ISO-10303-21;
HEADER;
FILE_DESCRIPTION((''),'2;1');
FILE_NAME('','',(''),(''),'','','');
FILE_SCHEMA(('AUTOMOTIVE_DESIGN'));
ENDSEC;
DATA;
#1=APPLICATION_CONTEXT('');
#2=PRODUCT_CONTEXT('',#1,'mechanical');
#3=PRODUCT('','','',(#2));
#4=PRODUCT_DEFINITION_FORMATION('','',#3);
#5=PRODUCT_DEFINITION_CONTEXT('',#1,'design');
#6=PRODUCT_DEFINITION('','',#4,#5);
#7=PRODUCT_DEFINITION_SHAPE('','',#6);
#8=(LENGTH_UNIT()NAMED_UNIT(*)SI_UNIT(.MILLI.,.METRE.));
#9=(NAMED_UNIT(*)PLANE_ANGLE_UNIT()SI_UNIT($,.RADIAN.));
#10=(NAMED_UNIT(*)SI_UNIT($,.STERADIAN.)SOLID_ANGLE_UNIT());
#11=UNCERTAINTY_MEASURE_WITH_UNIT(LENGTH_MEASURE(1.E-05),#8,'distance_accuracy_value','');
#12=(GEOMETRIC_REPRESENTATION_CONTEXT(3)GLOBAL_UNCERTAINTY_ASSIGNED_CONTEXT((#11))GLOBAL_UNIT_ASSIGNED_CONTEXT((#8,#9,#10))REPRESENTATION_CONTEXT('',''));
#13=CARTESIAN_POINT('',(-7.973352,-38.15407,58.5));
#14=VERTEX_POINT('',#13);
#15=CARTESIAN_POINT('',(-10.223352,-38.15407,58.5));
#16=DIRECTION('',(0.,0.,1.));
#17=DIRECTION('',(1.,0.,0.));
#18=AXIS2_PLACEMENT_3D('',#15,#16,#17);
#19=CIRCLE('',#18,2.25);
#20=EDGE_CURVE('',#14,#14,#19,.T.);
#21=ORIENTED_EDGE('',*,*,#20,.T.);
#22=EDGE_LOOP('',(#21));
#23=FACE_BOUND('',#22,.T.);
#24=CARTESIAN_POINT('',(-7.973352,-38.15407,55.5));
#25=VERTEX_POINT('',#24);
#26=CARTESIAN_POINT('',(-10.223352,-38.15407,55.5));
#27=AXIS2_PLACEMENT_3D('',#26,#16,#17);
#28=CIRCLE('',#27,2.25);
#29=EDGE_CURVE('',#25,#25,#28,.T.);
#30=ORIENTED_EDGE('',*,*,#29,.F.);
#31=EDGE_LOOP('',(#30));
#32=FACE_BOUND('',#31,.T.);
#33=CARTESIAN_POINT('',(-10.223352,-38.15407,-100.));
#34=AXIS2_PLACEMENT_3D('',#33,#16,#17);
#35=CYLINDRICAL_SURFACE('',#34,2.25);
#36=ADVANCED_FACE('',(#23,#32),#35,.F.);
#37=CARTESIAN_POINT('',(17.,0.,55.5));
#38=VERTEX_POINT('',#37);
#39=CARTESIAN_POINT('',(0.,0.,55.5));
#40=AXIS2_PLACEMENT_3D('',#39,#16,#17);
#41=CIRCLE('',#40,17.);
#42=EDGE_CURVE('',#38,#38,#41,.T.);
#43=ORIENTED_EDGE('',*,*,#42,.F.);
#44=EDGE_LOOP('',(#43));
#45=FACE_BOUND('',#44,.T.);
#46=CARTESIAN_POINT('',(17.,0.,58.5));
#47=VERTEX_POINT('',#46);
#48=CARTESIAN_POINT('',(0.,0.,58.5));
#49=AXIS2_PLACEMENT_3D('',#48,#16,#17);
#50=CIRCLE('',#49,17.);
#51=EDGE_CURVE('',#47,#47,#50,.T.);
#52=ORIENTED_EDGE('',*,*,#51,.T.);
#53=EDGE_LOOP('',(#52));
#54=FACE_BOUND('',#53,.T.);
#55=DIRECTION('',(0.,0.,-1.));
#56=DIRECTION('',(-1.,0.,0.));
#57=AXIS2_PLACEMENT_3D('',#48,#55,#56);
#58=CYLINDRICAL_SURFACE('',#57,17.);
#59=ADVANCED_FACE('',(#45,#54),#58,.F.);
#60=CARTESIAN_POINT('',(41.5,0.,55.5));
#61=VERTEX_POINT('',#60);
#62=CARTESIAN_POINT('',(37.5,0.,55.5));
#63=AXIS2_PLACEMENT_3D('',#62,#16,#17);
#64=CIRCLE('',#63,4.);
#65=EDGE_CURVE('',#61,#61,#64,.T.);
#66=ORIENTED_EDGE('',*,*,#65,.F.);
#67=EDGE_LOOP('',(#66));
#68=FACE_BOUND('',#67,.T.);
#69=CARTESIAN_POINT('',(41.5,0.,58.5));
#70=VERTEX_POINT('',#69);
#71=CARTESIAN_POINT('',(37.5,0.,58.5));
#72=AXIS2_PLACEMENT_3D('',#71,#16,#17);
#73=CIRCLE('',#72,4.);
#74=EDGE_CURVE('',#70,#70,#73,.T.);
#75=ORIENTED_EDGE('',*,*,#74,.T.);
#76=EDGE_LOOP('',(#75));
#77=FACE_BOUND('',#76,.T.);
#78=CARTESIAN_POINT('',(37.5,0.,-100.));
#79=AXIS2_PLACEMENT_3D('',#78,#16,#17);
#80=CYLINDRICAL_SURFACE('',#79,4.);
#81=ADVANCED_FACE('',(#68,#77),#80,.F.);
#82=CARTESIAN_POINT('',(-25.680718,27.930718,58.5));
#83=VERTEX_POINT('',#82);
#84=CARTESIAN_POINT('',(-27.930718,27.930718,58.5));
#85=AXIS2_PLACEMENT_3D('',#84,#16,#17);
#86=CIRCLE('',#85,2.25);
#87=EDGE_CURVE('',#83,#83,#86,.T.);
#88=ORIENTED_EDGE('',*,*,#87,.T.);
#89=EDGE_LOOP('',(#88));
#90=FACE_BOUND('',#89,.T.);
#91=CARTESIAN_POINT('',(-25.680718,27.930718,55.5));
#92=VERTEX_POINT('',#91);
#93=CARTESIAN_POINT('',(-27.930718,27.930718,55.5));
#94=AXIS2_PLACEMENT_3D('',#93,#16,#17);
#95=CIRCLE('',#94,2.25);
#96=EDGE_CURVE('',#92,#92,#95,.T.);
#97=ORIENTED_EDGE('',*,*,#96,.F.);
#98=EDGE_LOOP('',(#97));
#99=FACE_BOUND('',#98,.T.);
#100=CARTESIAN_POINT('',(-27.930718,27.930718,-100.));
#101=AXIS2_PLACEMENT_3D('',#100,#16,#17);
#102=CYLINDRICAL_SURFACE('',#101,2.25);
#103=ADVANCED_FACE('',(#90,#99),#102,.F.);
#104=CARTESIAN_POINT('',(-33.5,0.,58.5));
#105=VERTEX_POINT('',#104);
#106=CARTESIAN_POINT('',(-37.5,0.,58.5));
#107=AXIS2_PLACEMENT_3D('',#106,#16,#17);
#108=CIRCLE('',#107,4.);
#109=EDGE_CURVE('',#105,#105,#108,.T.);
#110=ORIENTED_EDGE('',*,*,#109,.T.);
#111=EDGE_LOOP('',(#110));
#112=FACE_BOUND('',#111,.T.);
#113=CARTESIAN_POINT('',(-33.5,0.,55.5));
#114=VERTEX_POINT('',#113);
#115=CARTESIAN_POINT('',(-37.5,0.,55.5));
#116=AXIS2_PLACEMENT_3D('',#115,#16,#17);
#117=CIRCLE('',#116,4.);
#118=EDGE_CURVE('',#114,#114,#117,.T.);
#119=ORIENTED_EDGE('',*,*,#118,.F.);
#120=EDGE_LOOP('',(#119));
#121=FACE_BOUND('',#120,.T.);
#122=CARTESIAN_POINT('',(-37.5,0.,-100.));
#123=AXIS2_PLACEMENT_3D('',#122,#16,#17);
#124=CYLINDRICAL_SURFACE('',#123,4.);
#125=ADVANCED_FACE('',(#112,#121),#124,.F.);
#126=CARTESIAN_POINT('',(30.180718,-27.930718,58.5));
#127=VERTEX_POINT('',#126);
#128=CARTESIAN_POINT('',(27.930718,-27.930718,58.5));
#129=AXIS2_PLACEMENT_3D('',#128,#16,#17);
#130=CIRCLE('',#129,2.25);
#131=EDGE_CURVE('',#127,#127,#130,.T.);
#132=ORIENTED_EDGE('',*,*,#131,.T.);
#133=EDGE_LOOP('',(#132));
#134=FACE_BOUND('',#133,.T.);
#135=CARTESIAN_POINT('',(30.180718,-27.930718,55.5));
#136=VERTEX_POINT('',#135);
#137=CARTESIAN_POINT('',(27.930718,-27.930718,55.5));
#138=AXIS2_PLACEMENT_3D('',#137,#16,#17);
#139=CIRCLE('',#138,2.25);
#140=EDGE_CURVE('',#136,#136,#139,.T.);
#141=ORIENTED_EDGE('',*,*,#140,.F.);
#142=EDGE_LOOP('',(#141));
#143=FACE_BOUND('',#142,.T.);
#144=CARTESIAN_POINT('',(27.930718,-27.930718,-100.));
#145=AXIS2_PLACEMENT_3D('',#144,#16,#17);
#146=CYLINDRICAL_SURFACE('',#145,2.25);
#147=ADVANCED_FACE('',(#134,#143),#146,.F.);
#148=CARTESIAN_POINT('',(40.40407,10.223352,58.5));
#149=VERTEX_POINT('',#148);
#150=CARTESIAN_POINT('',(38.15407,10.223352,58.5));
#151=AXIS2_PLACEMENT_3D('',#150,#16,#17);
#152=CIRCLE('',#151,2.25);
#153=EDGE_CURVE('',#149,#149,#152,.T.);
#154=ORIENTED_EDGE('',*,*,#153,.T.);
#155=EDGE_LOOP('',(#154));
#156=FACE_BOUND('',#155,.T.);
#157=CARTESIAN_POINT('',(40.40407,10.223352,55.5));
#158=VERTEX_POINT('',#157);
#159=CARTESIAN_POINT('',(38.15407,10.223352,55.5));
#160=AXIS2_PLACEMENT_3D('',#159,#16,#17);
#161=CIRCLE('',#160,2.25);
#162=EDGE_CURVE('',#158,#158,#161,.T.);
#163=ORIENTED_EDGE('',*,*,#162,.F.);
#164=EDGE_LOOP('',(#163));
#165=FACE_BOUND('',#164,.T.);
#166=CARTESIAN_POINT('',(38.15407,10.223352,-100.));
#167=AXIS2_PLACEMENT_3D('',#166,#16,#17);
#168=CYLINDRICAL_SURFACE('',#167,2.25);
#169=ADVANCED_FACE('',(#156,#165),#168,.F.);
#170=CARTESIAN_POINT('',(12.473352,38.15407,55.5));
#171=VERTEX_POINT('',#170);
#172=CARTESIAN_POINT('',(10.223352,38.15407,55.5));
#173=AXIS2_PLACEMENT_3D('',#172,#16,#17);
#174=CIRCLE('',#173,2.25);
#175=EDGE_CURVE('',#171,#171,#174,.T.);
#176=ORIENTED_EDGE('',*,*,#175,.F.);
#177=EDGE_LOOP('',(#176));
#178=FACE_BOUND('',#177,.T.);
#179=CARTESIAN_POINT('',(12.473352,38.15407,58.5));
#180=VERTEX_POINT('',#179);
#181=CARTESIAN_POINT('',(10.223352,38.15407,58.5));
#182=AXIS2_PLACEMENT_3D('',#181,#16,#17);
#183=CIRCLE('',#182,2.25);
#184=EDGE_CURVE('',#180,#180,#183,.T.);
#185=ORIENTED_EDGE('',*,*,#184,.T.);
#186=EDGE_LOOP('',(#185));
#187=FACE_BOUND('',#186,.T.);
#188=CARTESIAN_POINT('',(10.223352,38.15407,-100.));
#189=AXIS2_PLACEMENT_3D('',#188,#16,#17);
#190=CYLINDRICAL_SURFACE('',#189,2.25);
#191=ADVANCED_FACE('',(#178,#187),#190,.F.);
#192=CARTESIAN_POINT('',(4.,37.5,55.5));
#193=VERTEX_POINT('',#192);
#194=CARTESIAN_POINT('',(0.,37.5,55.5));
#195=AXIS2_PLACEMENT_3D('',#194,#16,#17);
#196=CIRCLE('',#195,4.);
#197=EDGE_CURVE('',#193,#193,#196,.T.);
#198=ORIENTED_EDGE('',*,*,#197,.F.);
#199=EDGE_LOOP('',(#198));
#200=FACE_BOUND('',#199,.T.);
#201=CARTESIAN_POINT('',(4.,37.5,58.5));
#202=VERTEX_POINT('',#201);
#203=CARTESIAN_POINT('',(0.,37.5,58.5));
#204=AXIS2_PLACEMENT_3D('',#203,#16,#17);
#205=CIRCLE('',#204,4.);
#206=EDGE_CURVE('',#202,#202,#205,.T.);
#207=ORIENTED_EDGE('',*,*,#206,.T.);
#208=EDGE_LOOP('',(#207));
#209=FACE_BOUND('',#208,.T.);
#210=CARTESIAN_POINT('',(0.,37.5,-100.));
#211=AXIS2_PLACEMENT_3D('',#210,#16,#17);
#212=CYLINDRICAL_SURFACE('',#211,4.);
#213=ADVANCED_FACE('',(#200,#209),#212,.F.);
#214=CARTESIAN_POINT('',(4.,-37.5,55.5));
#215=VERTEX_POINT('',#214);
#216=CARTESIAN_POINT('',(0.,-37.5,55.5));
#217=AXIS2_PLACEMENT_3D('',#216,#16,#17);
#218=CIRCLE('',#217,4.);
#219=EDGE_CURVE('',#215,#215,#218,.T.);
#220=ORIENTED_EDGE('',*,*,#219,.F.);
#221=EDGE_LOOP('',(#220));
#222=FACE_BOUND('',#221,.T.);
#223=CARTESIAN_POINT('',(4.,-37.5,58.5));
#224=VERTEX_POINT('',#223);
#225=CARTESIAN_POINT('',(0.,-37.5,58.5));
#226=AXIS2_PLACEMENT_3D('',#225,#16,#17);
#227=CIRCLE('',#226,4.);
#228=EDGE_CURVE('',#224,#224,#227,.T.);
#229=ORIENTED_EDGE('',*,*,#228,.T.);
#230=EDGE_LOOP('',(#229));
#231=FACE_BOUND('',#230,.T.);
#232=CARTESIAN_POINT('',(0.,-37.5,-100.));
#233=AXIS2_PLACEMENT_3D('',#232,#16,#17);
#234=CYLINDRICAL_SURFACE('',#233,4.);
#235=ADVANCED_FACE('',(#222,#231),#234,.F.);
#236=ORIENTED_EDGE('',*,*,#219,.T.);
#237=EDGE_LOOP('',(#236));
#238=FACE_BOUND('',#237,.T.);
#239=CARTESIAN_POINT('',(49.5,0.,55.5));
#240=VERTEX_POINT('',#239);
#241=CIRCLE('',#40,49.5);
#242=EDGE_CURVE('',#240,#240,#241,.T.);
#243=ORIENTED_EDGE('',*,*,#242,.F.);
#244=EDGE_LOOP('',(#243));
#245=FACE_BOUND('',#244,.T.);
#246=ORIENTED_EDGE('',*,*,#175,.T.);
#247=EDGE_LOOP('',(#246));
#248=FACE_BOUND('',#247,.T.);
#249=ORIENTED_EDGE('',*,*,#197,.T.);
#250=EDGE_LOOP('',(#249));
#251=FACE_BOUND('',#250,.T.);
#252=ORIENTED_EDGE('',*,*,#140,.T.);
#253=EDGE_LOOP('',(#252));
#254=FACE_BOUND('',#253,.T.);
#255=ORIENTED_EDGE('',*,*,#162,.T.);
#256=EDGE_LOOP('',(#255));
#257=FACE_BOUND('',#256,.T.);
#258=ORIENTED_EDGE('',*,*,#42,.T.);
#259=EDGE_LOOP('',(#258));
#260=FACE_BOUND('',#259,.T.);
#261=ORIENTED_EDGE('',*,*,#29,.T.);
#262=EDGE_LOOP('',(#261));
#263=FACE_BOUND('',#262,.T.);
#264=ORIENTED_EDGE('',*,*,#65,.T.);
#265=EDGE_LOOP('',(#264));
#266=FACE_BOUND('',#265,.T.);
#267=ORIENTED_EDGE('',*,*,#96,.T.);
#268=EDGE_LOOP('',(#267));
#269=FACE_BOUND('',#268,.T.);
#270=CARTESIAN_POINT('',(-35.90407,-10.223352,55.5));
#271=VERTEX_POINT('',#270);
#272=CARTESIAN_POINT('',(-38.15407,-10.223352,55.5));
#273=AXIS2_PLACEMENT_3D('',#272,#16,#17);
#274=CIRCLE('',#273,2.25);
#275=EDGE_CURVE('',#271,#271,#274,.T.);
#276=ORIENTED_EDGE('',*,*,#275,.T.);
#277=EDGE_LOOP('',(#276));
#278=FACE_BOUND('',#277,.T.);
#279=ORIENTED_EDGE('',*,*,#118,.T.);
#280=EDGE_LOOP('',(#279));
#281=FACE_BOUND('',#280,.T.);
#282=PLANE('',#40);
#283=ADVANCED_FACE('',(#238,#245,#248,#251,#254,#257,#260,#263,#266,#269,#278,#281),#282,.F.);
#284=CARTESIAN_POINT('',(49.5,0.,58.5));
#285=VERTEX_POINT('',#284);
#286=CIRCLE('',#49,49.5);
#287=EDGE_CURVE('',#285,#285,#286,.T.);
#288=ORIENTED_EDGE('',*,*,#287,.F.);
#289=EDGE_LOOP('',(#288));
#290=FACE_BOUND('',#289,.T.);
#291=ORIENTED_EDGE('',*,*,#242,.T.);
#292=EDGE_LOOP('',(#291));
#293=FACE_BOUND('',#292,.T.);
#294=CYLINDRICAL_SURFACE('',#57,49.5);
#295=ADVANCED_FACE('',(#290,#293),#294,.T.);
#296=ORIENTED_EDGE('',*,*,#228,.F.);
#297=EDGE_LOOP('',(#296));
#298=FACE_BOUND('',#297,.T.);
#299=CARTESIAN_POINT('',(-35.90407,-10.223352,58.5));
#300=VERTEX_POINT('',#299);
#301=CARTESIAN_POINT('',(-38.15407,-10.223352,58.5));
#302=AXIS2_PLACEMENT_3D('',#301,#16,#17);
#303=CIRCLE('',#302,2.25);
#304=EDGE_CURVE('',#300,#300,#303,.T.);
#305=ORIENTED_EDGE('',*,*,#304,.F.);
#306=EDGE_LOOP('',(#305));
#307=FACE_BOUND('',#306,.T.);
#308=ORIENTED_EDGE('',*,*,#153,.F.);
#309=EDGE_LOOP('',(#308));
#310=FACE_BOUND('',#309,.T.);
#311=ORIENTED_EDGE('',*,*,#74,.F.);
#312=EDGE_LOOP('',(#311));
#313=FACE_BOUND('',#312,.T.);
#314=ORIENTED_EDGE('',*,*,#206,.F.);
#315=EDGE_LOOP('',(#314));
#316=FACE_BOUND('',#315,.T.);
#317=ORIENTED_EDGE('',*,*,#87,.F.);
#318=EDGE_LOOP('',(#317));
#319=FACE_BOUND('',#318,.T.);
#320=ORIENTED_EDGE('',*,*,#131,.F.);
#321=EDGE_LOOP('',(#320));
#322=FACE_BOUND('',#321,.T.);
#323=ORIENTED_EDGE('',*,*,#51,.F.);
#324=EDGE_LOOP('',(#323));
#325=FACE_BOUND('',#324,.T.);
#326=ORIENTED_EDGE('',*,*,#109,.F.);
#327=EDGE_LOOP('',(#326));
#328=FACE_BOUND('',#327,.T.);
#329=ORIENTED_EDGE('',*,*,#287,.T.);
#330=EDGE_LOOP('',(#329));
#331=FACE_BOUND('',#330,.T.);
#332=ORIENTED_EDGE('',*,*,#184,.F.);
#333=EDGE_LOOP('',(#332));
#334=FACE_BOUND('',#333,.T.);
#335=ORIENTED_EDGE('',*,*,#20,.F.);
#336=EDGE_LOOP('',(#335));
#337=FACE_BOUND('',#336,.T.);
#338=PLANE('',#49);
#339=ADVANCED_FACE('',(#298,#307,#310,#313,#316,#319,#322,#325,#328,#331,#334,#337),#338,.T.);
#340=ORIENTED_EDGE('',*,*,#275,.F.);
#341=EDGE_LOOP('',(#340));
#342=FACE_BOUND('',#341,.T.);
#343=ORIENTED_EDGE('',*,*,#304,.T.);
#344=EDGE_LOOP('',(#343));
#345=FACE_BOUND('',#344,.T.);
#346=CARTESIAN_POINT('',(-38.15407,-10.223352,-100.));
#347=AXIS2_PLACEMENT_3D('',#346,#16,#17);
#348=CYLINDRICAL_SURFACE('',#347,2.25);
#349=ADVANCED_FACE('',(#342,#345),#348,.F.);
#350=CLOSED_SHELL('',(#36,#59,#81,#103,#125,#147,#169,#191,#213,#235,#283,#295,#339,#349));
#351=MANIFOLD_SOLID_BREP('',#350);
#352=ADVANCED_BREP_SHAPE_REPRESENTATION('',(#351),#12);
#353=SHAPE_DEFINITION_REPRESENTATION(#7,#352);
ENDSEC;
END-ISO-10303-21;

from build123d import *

# Parameters (mm, degrees)
CARRIER_FRONT_START = 55.5
SKETCH_1_R          = 49.5
SKETCH_1_R_2        = 17
CARRIER_FRONT_DEPTH = 3
SKETCH_2_R          = 2.25
THROUGH_HOLES_DEPTH = 100
SKETCH_3_R          = 4
CUT_EXTRUDE_2_DEPTH = 100


with BuildPart() as part:
    # Эскиз1 → Carrier_front (new body)
    with BuildSketch(Plane.XY.offset(CARRIER_FRONT_START)):
        Circle(SKETCH_1_R)
        Circle(SKETCH_1_R_2, mode=Mode.SUBTRACT)
    extrude(amount=CARRIER_FRONT_DEPTH)

    # Эскиз2 → Through_holes (cut, symmetric)
    with BuildSketch(Plane.XY):
        with Locations((37.5, 0)):
            Circle(SKETCH_2_R)
        with Locations((0, 37.5)):
            Circle(SKETCH_2_R)
        with Locations((-37.5, 0)):
            Circle(SKETCH_2_R)
        with Locations((0, -37.5)):
            Circle(SKETCH_2_R)
        with Locations((38.154070138, 10.223352282)):
            Circle(SKETCH_2_R)
        with Locations((10.223352282, 38.154070138)):
            Circle(SKETCH_2_R)
        with Locations((-27.930717857, 27.930717857)):
            Circle(SKETCH_2_R)
        with Locations((-38.154070138, -10.223352282)):
            Circle(SKETCH_2_R)
        with Locations((-10.223352282, -38.154070138)):
            Circle(SKETCH_2_R)
        with Locations((27.930717857, -27.930717857)):
            Circle(SKETCH_2_R)
    extrude(amount=THROUGH_HOLES_DEPTH, both=True, mode=Mode.SUBTRACT)

    # Эскиз3 → Вырез-Вытянуть2 (cut, symmetric)
    with BuildSketch(Plane.XY):
        with Locations((37.5, 0)):
            Circle(SKETCH_3_R)
        with Locations((0, 37.5)):
            Circle(SKETCH_3_R)
        with Locations((-37.5, 0)):
            Circle(SKETCH_3_R)
        with Locations((0, -37.5)):
            Circle(SKETCH_3_R)
    extrude(amount=CUT_EXTRUDE_2_DEPTH, both=True, mode=Mode.SUBTRACT)


solid = part.part
